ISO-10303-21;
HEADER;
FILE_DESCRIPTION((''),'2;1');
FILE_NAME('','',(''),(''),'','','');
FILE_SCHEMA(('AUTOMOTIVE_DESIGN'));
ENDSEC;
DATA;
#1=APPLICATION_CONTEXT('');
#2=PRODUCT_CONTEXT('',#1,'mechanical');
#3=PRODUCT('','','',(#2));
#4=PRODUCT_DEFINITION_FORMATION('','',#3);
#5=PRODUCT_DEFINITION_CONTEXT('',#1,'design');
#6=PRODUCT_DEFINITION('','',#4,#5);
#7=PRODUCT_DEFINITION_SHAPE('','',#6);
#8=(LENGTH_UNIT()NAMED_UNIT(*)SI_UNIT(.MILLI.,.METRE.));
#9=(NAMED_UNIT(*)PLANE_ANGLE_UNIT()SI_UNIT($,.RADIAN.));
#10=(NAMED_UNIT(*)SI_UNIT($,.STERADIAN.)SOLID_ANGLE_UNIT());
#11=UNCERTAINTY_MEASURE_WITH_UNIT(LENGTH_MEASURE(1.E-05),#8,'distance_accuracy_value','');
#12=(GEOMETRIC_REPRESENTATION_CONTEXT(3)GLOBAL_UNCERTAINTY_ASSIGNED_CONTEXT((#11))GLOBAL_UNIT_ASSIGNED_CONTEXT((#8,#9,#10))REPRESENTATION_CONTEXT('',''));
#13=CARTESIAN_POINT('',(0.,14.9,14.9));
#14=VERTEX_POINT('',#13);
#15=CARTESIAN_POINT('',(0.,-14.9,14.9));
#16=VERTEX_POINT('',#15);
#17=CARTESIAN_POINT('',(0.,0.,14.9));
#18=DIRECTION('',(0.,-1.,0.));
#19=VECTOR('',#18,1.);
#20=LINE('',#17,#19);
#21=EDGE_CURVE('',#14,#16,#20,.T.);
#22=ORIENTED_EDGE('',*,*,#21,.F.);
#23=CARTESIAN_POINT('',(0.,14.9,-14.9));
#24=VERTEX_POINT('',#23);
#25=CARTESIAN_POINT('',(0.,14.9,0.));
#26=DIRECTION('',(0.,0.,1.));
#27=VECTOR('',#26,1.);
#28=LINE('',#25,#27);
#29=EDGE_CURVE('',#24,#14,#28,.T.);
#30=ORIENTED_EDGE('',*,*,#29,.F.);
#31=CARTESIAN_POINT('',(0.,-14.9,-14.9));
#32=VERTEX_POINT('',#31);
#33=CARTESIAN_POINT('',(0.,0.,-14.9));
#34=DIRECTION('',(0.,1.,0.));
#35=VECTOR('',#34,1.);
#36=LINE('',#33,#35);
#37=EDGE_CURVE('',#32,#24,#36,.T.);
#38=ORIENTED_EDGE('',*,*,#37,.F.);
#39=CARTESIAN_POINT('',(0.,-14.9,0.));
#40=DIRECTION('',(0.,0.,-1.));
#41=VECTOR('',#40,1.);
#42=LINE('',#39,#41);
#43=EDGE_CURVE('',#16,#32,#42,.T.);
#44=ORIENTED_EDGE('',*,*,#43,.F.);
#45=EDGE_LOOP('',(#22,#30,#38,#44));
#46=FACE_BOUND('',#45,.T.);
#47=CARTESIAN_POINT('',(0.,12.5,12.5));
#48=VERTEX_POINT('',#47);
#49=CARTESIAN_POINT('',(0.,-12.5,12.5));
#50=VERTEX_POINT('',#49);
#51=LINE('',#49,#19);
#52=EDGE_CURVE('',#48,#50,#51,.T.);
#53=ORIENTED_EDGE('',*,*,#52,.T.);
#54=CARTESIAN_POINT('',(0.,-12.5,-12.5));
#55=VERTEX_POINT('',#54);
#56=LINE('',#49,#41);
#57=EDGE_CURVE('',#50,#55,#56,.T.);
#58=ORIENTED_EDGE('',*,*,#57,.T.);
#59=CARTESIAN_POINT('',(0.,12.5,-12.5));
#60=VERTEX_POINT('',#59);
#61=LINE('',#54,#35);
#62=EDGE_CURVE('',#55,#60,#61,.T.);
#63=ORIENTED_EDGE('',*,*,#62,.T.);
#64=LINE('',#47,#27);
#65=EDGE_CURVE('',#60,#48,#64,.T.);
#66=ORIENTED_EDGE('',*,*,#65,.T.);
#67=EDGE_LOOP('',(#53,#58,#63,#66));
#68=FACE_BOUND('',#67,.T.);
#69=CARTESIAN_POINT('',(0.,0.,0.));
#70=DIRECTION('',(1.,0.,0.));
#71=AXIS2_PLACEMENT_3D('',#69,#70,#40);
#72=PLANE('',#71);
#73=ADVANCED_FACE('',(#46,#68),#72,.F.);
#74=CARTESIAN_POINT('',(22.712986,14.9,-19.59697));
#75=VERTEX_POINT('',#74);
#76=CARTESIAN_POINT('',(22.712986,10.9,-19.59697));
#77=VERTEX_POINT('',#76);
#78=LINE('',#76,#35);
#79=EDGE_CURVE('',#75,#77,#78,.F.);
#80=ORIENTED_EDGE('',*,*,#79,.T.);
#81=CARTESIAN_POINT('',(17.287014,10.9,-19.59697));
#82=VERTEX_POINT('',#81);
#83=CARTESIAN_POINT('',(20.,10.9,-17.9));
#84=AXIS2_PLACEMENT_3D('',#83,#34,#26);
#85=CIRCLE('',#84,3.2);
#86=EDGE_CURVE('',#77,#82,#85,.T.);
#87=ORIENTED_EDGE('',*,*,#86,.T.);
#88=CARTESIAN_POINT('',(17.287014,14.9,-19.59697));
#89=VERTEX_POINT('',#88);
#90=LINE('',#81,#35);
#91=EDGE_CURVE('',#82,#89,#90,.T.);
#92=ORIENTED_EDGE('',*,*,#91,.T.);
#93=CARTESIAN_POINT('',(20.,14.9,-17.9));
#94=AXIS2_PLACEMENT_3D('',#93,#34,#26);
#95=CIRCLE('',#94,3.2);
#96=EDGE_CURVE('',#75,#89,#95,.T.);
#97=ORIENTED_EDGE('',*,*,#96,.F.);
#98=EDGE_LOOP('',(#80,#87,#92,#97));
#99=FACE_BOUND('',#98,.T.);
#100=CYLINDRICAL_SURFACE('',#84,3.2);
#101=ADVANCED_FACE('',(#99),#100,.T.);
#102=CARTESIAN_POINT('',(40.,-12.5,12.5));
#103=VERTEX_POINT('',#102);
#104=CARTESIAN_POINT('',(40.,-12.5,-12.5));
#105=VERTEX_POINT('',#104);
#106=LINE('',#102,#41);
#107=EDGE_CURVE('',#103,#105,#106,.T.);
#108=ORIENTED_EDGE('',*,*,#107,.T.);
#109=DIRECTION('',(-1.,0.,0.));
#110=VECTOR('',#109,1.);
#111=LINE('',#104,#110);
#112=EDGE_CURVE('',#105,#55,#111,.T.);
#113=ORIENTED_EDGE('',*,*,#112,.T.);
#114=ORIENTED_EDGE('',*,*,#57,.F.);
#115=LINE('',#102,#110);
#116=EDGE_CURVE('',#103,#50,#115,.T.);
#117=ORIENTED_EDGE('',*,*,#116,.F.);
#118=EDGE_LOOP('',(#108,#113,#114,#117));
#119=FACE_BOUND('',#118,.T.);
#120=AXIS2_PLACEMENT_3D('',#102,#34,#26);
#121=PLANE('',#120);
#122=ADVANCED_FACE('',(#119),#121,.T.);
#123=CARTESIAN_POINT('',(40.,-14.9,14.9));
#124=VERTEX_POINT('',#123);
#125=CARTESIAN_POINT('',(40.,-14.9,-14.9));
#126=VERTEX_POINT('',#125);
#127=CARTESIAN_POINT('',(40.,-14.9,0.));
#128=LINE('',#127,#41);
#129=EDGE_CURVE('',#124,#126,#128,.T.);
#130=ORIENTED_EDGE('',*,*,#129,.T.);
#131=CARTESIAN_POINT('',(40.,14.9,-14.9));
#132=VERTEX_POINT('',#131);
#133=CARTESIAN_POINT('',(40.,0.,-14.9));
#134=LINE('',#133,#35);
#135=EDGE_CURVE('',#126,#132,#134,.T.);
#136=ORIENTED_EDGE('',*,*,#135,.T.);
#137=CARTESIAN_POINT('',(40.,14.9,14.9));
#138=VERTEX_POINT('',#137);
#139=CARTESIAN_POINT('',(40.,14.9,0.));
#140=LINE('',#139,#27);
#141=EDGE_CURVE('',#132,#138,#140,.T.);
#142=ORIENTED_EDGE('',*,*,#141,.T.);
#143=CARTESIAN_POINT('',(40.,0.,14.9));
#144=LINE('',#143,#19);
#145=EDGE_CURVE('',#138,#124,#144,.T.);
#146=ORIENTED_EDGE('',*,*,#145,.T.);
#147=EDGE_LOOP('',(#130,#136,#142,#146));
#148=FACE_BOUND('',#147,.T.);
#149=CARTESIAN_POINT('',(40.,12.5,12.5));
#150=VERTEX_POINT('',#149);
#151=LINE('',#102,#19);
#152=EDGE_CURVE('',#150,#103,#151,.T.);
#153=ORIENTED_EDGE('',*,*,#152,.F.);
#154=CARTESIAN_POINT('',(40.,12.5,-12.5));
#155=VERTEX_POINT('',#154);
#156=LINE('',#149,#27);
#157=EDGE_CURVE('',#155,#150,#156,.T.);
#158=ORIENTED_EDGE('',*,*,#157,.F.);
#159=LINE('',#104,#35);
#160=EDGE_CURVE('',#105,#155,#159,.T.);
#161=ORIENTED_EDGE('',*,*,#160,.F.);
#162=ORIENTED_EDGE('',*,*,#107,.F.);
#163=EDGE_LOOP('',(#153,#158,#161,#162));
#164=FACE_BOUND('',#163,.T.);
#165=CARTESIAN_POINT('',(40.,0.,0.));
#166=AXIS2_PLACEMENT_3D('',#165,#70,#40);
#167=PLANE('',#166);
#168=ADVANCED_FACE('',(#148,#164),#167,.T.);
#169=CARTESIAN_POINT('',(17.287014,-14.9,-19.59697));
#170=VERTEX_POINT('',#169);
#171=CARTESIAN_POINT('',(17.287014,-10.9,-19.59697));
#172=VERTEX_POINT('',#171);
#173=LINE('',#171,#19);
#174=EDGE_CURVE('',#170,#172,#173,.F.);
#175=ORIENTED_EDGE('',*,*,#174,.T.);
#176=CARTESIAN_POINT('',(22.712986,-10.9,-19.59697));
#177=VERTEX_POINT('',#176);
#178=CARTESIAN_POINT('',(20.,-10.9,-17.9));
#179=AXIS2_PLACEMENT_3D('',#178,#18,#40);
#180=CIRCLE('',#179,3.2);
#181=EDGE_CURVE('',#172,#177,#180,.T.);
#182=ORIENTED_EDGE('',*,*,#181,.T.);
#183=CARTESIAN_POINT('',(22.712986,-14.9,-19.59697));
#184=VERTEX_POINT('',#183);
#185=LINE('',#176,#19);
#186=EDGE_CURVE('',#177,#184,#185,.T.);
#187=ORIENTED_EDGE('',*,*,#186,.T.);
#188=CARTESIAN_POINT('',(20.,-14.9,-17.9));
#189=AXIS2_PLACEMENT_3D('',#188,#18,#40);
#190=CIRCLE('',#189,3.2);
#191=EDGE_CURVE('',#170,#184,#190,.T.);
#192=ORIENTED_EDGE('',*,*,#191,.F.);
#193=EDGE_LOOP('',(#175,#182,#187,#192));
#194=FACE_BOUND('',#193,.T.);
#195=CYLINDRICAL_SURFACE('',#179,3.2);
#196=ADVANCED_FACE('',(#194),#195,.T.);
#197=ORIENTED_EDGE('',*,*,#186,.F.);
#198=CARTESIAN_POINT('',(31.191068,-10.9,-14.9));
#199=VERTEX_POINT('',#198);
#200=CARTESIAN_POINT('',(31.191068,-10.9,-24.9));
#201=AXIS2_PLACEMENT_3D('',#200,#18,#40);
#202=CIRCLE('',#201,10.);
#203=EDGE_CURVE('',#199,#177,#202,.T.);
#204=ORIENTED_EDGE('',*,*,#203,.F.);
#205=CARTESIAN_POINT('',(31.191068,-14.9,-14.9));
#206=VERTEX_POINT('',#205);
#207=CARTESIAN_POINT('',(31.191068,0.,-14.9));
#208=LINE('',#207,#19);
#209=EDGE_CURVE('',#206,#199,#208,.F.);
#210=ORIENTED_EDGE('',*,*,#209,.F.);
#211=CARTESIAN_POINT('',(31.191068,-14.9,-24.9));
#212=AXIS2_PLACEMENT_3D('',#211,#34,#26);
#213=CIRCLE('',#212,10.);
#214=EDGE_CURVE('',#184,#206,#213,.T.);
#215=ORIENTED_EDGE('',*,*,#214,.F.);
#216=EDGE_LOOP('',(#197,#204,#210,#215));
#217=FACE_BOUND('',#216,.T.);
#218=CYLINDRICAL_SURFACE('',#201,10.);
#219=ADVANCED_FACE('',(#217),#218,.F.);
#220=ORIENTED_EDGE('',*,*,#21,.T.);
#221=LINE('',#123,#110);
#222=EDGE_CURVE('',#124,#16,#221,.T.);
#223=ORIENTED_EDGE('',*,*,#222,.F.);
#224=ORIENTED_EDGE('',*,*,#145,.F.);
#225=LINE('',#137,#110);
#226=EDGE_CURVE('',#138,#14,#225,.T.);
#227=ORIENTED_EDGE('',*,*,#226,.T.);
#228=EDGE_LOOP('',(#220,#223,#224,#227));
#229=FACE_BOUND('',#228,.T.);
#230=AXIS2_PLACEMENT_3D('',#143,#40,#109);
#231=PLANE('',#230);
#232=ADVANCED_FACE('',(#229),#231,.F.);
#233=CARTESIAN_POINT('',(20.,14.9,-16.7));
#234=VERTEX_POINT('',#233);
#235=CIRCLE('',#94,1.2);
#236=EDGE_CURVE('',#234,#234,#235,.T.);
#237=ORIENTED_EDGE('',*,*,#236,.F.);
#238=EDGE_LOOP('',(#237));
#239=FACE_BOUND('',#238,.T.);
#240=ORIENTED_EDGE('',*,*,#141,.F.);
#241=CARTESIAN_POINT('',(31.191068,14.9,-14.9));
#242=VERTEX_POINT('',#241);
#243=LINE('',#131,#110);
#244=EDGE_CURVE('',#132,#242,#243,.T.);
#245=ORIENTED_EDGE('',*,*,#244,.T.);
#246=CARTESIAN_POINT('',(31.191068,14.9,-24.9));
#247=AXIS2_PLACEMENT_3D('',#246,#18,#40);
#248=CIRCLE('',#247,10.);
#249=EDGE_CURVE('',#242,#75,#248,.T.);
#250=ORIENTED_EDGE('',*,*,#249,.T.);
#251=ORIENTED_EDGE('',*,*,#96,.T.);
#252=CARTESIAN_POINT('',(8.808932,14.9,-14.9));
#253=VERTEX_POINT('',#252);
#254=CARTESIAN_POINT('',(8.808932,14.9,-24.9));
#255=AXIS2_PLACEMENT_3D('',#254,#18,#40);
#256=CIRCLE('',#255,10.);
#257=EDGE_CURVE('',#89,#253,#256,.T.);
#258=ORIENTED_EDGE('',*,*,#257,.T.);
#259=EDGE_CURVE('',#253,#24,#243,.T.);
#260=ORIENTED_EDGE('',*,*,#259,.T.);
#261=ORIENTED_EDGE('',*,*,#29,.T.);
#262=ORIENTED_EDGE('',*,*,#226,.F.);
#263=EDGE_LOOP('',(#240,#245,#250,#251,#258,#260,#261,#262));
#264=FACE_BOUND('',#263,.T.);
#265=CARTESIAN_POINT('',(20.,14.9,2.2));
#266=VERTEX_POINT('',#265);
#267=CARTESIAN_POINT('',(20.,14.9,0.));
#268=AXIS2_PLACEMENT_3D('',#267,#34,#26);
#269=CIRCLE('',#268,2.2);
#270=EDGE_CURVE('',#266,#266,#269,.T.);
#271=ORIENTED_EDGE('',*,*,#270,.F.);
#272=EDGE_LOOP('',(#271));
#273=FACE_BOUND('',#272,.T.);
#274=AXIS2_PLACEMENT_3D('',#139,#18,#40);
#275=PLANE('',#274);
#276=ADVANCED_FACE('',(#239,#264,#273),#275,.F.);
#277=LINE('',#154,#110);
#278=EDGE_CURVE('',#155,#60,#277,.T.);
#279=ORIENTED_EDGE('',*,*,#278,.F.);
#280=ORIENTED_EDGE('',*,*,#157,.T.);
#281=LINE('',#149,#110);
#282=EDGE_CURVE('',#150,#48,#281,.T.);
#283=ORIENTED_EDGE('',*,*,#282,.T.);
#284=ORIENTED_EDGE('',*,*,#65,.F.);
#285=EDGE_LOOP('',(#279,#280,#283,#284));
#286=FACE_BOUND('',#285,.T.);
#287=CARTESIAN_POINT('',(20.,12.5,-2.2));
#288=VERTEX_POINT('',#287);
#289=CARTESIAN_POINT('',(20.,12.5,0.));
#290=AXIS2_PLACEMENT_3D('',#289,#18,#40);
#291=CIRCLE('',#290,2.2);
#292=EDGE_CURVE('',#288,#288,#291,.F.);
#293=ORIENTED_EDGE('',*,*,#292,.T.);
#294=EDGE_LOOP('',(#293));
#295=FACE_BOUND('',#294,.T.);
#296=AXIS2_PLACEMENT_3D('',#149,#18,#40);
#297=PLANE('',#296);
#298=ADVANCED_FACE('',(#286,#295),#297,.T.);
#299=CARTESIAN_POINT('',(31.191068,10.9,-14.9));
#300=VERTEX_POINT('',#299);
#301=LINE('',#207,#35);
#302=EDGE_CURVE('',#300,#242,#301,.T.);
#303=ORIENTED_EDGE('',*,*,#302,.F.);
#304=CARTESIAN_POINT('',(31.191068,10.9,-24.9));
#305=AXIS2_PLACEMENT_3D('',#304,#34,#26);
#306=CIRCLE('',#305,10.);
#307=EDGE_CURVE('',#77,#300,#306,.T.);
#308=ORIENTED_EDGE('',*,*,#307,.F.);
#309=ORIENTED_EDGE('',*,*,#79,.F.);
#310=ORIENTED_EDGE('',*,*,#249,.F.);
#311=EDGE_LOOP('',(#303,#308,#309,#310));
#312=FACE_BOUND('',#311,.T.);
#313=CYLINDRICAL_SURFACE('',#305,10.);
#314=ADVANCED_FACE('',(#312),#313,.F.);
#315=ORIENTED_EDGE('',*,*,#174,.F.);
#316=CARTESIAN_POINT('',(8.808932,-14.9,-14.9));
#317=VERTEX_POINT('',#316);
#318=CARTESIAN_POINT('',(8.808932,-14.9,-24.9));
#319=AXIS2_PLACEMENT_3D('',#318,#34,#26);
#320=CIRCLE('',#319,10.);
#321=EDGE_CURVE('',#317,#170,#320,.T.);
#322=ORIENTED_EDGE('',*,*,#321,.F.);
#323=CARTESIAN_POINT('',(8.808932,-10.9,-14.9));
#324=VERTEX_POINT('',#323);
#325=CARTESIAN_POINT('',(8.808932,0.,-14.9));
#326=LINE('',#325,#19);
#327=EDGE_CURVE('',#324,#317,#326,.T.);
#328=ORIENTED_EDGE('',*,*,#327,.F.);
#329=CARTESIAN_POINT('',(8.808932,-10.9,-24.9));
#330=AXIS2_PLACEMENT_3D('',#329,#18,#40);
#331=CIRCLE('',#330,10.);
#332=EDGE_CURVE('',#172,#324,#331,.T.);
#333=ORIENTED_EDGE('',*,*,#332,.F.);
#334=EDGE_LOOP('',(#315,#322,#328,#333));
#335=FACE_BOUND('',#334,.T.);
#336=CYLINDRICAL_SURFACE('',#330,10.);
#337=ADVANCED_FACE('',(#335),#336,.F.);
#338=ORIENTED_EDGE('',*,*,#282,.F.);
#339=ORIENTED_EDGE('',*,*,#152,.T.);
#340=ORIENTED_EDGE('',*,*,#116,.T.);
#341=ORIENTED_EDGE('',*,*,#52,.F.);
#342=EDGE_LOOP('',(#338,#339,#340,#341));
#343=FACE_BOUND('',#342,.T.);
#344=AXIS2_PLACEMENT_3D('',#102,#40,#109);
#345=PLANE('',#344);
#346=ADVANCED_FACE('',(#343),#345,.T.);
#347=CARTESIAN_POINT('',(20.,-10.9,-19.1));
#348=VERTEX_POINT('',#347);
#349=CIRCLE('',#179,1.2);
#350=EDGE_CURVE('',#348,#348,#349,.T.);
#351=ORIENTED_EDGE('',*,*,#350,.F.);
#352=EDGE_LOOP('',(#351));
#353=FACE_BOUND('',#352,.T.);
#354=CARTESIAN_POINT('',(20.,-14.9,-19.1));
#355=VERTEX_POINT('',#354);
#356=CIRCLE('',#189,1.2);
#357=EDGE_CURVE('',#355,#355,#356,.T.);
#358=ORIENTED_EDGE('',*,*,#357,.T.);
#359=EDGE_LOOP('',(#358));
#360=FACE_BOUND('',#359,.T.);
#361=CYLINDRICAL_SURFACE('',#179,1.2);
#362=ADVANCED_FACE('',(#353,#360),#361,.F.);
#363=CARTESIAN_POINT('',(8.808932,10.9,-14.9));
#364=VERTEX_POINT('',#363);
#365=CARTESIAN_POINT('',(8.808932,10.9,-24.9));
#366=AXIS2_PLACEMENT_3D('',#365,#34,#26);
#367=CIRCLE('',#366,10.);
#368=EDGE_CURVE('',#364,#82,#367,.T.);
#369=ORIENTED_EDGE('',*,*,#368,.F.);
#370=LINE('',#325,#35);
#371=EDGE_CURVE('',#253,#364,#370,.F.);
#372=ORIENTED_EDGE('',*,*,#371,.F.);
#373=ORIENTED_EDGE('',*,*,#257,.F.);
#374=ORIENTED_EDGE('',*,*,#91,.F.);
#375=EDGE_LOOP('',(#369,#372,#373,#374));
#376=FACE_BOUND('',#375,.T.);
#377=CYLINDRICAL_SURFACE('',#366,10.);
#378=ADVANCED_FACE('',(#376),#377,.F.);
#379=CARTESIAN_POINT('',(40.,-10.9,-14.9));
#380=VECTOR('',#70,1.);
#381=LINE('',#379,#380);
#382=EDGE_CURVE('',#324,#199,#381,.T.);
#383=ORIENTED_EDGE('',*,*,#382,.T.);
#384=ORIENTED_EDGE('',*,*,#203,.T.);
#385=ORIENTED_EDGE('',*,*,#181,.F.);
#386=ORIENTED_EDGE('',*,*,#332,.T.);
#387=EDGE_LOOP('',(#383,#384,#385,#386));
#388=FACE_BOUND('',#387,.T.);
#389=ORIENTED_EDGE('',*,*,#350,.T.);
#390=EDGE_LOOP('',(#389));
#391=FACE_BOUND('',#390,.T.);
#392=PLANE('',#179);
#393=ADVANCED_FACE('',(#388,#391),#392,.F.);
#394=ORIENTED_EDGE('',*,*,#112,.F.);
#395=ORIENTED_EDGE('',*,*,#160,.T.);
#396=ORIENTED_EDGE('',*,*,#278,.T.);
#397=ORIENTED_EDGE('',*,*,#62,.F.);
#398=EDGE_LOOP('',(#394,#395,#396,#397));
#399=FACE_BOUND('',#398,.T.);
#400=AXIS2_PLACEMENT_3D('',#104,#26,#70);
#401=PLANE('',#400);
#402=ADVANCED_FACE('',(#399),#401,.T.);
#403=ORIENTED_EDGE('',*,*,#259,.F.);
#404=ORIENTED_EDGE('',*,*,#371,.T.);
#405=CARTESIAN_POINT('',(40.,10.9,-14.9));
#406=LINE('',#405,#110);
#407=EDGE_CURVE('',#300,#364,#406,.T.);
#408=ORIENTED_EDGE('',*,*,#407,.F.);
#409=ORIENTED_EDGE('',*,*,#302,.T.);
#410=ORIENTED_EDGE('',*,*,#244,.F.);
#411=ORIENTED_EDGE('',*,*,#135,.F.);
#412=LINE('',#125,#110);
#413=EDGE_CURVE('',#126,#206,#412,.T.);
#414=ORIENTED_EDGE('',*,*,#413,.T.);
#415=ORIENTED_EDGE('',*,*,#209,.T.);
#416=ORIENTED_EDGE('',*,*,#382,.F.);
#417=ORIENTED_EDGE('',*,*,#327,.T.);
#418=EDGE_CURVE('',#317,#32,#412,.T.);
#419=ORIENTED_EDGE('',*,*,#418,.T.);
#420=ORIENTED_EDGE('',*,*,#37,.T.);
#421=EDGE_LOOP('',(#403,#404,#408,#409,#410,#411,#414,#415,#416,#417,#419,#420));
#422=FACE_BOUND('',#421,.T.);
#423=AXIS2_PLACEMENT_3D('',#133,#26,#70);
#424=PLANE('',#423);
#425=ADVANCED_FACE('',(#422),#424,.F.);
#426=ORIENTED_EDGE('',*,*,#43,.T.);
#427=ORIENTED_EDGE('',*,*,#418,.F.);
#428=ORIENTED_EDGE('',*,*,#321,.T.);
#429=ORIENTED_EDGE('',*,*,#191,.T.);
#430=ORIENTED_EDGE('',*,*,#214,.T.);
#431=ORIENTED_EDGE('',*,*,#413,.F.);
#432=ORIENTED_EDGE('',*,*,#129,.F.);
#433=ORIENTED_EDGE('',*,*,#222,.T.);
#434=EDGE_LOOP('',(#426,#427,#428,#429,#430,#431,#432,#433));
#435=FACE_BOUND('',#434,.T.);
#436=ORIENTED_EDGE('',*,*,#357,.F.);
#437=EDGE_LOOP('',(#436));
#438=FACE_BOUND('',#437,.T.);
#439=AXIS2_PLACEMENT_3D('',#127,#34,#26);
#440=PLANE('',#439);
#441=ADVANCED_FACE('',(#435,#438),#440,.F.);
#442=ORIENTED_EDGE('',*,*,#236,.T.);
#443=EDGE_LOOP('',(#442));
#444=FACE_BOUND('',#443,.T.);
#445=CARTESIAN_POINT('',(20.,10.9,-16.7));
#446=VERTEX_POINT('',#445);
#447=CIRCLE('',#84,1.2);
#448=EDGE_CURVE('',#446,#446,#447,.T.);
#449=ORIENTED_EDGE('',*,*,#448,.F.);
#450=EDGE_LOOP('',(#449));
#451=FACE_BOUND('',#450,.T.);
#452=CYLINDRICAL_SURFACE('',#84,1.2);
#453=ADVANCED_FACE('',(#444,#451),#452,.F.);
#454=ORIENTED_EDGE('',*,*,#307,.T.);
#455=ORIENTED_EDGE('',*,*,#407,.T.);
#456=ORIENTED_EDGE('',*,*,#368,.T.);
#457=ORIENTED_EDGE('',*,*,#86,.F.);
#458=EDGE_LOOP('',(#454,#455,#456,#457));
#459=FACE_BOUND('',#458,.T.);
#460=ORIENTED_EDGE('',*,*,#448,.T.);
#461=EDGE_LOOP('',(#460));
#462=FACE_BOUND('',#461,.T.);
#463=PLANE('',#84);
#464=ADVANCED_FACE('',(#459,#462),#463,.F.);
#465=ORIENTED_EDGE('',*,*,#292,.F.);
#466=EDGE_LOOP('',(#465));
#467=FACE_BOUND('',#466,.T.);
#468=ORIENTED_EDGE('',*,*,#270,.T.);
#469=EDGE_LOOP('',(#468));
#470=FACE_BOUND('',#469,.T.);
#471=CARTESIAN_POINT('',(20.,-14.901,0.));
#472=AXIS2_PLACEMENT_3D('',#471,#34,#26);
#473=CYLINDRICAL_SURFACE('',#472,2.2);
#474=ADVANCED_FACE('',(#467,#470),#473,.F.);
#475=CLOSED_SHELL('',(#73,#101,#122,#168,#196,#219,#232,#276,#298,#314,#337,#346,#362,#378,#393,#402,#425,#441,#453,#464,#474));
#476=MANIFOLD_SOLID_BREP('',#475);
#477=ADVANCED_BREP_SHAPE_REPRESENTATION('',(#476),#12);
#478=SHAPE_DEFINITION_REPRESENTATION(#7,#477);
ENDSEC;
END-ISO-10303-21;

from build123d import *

# Parameters (mm, degrees)
SKETCH_1_W          = 29.8
SKETCH_1_H          = 29.8
SKETCH_1_W_2        = 25
SKETCH_1_H_2        = 25
EXTRUDE_1_DEPTH     = 40
CUT_EXTRUDE_1_REACH = 54.058
SKETCH_4_R          = 2.2
SKETCH_7_R          = 3.2
SKETCH_7_R_2        = 1.2
EXTRUDE_3_DEPTH     = 4
EXTRUDE_START       = -4
SKETCH_8_R          = 3.2
SKETCH_8_R_2        = 1.2
EXTRUDE_4_DEPTH     = 4
FILLET_2_R          = 10


with BuildPart() as part:
    # Эскиз1 → Вытянуть-Тонкостенный1 (new body)
    with BuildSketch(Plane(origin=(0, 0, 0), x_dir=(0, 0, -1), z_dir=(1, 0, 0))):
        Rectangle(SKETCH_1_W, SKETCH_1_H)
        Rectangle(SKETCH_1_W_2, SKETCH_1_H_2, mode=Mode.SUBTRACT)
    extrude(amount=EXTRUDE_1_DEPTH)

    # Эскиз4 → Вырез-Вытянуть1 (cut, up to next)
    with BuildSketch(Plane(origin=(0, 14.9, 0), x_dir=(1, 0, 0), z_dir=(0, 1, 0)), mode=Mode.PRIVATE) as cut_extrude_1_sk1:
        with Locations(Location((20, 0, 0), (0, 0, 270))):
            Circle(SKETCH_4_R)
    cut_extrude_1_tool1 = extrude(cut_extrude_1_sk1.sketch, amount=-CUT_EXTRUDE_1_REACH, mode=Mode.PRIVATE) & part.part
    add(cut_extrude_1_tool1.solids().sort_by_distance((20, 14.9, 0))[0], mode=Mode.SUBTRACT)

    # Эскиз7 → Бобышка-Вытянуть3 (add)
    with BuildSketch(Plane.XZ.offset(14.9)):
        with Locations((20, -17.9)):
            Circle(SKETCH_7_R)
        with Locations(Location((20, -17.9, 0), (0, 0, 270))):
            Circle(SKETCH_7_R_2, mode=Mode.SUBTRACT)
    extrude(amount=-EXTRUDE_3_DEPTH)

    # Эскиз8 → Бобышка-Вытянуть4 (add)
    with BuildSketch(Plane(origin=(0, 14.9, 0), x_dir=(1, 0, 0), z_dir=(0, 1, 0)).offset(EXTRUDE_START)):
        with Locations((20, 17.9)):
            Circle(SKETCH_8_R)
        with Locations(Location((20, 17.9, 0), (0, 0, 90))):
            Circle(SKETCH_8_R_2, mode=Mode.SUBTRACT)
    extrude(amount=EXTRUDE_4_DEPTH)

    # Скругление2
    fillet_2_edges = [part.edges().sort_by_distance(p)[0] for p in [
        (18.886447127, -12.9, -14.9),
        (21.113552873, -12.9, -14.9),
        (21.113552873, 12.9, -14.9),
        (18.886447127, 12.9, -14.9),
    ]]
    fillet(fillet_2_edges, radius=FILLET_2_R)


solid = part.part
